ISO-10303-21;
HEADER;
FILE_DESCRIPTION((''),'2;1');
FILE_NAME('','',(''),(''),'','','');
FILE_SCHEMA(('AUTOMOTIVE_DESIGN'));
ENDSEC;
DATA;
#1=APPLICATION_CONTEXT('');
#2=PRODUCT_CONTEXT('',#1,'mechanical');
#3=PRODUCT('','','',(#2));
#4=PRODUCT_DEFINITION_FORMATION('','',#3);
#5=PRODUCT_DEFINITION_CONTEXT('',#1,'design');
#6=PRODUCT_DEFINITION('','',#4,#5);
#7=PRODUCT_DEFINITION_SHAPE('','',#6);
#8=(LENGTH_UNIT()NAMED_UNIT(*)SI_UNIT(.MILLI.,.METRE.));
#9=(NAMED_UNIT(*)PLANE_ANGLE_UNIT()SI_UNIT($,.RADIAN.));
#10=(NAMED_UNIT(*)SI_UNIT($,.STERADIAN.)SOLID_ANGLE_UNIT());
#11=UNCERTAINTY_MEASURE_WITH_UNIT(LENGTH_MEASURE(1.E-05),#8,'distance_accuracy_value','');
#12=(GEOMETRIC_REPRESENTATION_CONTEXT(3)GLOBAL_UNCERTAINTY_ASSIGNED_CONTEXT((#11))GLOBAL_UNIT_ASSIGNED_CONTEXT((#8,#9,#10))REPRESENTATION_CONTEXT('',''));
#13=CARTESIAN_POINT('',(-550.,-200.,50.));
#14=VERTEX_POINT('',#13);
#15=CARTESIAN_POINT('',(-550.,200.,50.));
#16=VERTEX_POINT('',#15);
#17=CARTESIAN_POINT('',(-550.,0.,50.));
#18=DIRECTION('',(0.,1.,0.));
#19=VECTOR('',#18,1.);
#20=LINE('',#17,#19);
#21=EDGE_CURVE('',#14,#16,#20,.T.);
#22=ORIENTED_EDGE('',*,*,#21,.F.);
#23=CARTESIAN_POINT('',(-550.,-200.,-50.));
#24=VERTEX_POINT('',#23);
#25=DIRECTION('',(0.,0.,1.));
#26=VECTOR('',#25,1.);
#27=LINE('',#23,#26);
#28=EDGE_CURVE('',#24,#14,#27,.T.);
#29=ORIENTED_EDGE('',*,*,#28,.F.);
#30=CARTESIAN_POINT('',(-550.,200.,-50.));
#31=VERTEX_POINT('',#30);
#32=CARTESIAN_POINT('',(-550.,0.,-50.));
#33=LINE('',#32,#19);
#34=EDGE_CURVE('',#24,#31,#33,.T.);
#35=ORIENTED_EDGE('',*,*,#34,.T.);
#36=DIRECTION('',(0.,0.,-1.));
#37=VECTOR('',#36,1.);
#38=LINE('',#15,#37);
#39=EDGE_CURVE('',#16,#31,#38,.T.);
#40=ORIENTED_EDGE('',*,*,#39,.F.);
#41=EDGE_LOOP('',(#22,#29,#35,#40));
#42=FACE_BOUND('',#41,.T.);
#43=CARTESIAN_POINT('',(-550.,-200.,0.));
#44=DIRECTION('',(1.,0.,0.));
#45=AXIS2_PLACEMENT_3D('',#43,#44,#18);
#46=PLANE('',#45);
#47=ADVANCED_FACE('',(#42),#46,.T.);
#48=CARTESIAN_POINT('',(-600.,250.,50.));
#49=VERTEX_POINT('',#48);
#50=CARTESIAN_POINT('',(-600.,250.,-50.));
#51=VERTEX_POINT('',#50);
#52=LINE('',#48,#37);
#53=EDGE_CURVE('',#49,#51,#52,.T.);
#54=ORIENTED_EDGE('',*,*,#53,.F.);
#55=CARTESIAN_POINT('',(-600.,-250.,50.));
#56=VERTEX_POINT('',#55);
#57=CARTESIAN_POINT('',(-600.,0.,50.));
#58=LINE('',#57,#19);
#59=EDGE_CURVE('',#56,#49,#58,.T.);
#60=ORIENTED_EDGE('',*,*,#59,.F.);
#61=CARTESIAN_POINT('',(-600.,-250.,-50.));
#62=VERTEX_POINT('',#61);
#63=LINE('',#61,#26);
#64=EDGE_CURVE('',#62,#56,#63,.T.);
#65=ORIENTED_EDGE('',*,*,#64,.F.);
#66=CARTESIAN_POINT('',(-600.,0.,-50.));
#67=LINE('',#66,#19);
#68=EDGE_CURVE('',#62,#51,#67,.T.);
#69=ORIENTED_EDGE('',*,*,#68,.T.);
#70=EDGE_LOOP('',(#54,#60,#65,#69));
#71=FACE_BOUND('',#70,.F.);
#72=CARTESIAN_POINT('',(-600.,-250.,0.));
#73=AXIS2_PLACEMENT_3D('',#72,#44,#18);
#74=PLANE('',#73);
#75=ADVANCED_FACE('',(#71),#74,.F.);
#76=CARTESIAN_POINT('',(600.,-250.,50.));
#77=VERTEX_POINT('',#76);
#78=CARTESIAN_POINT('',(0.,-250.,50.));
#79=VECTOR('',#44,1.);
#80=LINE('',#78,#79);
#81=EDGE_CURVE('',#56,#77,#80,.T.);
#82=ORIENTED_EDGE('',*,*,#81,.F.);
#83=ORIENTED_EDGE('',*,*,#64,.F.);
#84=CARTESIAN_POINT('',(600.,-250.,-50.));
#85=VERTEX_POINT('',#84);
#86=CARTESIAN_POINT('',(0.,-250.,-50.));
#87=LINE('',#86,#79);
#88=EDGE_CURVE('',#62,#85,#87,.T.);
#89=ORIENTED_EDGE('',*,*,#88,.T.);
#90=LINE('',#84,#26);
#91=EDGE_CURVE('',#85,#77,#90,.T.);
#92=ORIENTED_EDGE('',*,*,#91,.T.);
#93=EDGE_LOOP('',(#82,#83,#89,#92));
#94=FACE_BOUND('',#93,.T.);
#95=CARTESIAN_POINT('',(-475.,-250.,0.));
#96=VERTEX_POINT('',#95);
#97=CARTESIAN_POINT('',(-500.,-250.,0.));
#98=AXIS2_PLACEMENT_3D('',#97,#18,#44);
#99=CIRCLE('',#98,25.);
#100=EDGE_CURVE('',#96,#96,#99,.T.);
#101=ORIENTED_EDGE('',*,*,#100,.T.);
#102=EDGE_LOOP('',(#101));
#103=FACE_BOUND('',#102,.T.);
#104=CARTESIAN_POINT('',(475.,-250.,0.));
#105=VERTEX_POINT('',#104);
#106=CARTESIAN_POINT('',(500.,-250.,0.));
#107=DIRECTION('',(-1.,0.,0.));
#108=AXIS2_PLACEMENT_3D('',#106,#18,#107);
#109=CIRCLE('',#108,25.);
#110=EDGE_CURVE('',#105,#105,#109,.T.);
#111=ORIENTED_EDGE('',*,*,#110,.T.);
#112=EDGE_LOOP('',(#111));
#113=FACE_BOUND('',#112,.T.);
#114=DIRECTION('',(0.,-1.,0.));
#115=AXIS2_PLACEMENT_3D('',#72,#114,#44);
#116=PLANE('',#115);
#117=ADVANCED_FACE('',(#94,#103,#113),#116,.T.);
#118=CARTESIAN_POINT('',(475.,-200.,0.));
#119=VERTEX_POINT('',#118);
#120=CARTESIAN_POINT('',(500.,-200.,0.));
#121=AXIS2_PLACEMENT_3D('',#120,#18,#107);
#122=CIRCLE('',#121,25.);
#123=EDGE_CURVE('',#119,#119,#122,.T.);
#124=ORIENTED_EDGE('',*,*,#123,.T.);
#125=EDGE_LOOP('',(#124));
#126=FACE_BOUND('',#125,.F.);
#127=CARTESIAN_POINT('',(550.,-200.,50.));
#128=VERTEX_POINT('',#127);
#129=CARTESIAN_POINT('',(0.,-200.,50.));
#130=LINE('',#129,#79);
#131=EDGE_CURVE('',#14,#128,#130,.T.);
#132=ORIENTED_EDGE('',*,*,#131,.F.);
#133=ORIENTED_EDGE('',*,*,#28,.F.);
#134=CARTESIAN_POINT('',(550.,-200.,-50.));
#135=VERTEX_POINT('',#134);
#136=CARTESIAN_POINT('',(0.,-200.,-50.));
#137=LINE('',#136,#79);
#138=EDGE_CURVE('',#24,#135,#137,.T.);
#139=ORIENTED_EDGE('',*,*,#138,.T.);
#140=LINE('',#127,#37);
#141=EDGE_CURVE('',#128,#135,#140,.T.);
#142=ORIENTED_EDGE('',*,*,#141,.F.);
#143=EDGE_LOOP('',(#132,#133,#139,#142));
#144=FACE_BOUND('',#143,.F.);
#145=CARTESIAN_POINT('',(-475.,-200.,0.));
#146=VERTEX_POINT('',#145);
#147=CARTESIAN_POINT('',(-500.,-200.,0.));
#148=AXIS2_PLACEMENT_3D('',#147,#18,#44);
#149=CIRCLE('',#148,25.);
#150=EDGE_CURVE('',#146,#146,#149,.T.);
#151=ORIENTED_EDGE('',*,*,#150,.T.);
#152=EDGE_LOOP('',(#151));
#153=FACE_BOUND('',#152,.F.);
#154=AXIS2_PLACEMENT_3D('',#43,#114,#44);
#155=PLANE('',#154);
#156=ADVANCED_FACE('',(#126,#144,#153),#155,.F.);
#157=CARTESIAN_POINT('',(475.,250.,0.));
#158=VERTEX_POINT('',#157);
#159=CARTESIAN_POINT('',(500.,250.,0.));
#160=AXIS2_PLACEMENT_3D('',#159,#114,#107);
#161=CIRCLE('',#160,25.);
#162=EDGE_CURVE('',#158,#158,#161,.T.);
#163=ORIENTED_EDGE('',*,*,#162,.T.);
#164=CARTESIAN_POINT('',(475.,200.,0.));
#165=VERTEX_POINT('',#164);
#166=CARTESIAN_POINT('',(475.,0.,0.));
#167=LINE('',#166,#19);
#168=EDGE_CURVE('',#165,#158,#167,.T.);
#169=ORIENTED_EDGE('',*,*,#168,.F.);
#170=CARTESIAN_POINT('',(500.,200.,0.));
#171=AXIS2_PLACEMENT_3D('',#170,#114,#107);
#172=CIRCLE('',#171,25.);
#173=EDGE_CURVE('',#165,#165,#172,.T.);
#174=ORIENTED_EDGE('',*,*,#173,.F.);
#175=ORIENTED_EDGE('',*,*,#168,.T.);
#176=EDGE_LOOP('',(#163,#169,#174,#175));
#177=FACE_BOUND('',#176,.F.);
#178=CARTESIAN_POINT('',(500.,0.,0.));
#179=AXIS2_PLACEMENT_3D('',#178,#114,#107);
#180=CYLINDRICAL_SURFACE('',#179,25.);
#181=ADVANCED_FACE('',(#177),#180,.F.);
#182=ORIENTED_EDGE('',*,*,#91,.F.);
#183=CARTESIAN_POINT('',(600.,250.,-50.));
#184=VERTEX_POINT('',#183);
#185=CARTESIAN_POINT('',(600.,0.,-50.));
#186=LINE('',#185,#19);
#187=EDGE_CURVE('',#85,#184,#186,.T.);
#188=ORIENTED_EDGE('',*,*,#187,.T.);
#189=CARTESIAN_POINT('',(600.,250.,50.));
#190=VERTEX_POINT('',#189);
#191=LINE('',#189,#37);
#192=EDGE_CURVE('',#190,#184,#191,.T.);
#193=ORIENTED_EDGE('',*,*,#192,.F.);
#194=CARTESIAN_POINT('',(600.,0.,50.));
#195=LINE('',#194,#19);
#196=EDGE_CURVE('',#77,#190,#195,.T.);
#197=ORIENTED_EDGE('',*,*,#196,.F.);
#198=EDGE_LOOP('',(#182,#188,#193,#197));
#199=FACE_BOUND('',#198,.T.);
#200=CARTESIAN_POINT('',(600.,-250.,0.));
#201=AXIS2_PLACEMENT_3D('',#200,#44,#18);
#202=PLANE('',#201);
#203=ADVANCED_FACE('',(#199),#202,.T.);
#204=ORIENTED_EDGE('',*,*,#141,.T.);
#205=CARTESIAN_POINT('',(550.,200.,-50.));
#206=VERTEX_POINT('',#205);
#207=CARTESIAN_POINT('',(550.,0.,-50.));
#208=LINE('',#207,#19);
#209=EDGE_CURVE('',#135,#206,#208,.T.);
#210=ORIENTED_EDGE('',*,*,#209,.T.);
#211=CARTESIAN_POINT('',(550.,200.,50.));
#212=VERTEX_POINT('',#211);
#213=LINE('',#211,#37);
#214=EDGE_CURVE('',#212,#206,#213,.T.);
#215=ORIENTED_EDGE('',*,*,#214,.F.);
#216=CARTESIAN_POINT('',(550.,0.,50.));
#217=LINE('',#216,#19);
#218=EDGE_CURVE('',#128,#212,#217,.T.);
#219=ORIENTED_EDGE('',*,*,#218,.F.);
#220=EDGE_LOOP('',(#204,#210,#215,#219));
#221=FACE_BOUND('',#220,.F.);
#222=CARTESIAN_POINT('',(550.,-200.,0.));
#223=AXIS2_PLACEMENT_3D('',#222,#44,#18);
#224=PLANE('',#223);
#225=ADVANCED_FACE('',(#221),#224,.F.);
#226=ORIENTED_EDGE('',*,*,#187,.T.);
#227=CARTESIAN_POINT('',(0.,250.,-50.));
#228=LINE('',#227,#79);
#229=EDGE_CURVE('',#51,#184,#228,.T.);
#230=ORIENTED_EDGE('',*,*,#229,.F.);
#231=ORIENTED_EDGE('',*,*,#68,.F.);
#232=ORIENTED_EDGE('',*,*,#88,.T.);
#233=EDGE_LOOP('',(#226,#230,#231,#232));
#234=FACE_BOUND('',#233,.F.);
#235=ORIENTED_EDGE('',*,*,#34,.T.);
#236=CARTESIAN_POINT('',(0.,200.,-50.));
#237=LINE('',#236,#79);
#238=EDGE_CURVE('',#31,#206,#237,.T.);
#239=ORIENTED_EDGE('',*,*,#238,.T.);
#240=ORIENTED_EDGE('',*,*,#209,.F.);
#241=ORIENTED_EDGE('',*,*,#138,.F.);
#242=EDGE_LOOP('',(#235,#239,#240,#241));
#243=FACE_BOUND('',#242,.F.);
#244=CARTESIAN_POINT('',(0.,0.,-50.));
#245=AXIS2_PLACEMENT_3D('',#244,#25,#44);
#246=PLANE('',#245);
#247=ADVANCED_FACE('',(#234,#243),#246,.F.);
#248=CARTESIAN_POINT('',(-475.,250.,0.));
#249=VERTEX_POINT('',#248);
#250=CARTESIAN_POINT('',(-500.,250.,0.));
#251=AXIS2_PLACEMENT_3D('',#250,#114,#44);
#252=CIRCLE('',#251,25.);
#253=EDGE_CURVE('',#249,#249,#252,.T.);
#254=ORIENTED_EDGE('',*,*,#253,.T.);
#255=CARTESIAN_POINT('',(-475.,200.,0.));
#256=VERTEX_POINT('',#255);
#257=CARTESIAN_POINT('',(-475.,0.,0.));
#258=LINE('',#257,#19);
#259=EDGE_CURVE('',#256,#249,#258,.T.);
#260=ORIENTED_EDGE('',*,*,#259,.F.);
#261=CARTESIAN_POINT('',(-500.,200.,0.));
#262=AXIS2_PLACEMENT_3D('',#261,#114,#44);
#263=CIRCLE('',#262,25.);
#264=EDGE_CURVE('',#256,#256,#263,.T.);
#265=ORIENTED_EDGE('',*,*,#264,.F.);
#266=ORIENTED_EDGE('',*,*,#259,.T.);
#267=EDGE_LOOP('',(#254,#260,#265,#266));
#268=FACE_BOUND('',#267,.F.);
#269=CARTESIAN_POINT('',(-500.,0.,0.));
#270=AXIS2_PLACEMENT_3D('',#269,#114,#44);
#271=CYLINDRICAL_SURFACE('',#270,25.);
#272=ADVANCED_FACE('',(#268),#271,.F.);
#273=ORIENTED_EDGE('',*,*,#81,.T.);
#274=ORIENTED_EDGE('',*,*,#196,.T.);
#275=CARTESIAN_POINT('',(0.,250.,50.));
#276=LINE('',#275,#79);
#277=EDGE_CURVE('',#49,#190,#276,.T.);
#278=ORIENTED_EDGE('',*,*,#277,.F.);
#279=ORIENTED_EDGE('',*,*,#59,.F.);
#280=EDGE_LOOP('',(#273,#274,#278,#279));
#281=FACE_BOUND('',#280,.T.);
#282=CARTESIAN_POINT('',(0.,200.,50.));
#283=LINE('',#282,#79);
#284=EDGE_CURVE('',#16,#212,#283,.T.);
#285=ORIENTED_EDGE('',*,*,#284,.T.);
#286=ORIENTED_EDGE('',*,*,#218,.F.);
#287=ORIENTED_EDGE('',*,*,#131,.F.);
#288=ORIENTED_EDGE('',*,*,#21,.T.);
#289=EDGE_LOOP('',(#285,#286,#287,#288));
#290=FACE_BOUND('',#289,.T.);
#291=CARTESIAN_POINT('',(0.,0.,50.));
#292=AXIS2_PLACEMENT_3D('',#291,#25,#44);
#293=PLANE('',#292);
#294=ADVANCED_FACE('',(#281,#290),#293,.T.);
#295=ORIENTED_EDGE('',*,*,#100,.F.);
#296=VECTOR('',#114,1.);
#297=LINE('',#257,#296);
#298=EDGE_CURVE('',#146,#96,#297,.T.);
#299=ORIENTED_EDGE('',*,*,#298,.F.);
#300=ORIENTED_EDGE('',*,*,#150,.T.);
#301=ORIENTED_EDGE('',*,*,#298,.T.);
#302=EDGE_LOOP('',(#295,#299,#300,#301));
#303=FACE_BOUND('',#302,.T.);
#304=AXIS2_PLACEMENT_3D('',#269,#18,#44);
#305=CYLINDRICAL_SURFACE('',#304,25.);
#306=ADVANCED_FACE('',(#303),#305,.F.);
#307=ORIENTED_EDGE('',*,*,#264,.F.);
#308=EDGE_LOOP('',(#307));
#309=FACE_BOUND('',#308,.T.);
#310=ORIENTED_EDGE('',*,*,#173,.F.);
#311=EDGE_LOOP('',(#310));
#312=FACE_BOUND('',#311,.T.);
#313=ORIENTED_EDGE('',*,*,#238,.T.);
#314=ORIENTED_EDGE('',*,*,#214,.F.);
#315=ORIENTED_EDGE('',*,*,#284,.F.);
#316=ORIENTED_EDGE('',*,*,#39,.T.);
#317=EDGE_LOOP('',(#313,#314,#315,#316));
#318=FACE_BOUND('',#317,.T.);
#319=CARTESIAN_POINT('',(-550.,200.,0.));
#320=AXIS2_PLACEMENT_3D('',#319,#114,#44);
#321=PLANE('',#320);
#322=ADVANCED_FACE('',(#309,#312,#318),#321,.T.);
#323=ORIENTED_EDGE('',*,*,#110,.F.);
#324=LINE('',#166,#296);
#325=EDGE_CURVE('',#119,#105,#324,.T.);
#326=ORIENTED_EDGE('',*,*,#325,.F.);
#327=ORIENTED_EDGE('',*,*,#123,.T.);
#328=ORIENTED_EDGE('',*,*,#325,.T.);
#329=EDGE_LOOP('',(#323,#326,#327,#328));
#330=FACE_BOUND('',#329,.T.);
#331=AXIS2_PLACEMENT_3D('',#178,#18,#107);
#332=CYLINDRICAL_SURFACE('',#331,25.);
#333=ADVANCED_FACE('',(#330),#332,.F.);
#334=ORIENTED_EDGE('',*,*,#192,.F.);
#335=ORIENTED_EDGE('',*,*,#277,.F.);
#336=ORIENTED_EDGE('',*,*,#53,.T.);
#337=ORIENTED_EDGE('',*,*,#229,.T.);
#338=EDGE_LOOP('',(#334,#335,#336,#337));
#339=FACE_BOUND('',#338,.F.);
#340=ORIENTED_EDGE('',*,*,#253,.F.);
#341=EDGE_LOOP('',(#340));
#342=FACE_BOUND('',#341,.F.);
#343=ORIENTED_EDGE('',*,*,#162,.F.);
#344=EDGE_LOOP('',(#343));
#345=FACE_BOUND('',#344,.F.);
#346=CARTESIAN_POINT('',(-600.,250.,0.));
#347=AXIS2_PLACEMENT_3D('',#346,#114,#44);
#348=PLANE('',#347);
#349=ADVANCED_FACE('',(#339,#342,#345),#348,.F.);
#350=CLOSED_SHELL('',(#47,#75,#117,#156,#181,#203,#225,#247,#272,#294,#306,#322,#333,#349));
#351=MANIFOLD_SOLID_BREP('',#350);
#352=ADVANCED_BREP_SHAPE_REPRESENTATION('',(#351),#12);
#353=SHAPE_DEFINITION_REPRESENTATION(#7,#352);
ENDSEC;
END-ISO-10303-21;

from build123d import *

# Parameters (mm, degrees)
F0_W          = 1200
F0_H          = 500
F0_W_2        = 1100
F0_H_2        = 400
F1_DEPTH      = 50
F2_R          = 25
F3_DEPTH      = 250.001
F3_DEPTH_BACK = 250.001


with BuildPart() as f1:
    # F0 (on Top) → F1 (new body, symmetric)
    with BuildSketch(Plane.XY):
        Rectangle(F0_W, F0_H)
        Rectangle(F0_W_2, F0_H_2, mode=Mode.SUBTRACT)
    extrude(amount=F1_DEPTH, both=True)

    # F2 (on Front) → F3 (cut, two sides)
    with BuildSketch(Plane.XZ) as f3_sk:
        with Locations((-500, 0)):
            Circle(F2_R)
        with BuildLine():
            ThreePointArc((525, 0), (500, 25), (475, 0))
            ThreePointArc((475, 0), (500, -25), (525, 0))
        make_face()
    extrude(amount=-F3_DEPTH, mode=Mode.SUBTRACT)
    extrude(f3_sk.sketch, amount=F3_DEPTH_BACK, mode=Mode.SUBTRACT)


solid = f1.part
